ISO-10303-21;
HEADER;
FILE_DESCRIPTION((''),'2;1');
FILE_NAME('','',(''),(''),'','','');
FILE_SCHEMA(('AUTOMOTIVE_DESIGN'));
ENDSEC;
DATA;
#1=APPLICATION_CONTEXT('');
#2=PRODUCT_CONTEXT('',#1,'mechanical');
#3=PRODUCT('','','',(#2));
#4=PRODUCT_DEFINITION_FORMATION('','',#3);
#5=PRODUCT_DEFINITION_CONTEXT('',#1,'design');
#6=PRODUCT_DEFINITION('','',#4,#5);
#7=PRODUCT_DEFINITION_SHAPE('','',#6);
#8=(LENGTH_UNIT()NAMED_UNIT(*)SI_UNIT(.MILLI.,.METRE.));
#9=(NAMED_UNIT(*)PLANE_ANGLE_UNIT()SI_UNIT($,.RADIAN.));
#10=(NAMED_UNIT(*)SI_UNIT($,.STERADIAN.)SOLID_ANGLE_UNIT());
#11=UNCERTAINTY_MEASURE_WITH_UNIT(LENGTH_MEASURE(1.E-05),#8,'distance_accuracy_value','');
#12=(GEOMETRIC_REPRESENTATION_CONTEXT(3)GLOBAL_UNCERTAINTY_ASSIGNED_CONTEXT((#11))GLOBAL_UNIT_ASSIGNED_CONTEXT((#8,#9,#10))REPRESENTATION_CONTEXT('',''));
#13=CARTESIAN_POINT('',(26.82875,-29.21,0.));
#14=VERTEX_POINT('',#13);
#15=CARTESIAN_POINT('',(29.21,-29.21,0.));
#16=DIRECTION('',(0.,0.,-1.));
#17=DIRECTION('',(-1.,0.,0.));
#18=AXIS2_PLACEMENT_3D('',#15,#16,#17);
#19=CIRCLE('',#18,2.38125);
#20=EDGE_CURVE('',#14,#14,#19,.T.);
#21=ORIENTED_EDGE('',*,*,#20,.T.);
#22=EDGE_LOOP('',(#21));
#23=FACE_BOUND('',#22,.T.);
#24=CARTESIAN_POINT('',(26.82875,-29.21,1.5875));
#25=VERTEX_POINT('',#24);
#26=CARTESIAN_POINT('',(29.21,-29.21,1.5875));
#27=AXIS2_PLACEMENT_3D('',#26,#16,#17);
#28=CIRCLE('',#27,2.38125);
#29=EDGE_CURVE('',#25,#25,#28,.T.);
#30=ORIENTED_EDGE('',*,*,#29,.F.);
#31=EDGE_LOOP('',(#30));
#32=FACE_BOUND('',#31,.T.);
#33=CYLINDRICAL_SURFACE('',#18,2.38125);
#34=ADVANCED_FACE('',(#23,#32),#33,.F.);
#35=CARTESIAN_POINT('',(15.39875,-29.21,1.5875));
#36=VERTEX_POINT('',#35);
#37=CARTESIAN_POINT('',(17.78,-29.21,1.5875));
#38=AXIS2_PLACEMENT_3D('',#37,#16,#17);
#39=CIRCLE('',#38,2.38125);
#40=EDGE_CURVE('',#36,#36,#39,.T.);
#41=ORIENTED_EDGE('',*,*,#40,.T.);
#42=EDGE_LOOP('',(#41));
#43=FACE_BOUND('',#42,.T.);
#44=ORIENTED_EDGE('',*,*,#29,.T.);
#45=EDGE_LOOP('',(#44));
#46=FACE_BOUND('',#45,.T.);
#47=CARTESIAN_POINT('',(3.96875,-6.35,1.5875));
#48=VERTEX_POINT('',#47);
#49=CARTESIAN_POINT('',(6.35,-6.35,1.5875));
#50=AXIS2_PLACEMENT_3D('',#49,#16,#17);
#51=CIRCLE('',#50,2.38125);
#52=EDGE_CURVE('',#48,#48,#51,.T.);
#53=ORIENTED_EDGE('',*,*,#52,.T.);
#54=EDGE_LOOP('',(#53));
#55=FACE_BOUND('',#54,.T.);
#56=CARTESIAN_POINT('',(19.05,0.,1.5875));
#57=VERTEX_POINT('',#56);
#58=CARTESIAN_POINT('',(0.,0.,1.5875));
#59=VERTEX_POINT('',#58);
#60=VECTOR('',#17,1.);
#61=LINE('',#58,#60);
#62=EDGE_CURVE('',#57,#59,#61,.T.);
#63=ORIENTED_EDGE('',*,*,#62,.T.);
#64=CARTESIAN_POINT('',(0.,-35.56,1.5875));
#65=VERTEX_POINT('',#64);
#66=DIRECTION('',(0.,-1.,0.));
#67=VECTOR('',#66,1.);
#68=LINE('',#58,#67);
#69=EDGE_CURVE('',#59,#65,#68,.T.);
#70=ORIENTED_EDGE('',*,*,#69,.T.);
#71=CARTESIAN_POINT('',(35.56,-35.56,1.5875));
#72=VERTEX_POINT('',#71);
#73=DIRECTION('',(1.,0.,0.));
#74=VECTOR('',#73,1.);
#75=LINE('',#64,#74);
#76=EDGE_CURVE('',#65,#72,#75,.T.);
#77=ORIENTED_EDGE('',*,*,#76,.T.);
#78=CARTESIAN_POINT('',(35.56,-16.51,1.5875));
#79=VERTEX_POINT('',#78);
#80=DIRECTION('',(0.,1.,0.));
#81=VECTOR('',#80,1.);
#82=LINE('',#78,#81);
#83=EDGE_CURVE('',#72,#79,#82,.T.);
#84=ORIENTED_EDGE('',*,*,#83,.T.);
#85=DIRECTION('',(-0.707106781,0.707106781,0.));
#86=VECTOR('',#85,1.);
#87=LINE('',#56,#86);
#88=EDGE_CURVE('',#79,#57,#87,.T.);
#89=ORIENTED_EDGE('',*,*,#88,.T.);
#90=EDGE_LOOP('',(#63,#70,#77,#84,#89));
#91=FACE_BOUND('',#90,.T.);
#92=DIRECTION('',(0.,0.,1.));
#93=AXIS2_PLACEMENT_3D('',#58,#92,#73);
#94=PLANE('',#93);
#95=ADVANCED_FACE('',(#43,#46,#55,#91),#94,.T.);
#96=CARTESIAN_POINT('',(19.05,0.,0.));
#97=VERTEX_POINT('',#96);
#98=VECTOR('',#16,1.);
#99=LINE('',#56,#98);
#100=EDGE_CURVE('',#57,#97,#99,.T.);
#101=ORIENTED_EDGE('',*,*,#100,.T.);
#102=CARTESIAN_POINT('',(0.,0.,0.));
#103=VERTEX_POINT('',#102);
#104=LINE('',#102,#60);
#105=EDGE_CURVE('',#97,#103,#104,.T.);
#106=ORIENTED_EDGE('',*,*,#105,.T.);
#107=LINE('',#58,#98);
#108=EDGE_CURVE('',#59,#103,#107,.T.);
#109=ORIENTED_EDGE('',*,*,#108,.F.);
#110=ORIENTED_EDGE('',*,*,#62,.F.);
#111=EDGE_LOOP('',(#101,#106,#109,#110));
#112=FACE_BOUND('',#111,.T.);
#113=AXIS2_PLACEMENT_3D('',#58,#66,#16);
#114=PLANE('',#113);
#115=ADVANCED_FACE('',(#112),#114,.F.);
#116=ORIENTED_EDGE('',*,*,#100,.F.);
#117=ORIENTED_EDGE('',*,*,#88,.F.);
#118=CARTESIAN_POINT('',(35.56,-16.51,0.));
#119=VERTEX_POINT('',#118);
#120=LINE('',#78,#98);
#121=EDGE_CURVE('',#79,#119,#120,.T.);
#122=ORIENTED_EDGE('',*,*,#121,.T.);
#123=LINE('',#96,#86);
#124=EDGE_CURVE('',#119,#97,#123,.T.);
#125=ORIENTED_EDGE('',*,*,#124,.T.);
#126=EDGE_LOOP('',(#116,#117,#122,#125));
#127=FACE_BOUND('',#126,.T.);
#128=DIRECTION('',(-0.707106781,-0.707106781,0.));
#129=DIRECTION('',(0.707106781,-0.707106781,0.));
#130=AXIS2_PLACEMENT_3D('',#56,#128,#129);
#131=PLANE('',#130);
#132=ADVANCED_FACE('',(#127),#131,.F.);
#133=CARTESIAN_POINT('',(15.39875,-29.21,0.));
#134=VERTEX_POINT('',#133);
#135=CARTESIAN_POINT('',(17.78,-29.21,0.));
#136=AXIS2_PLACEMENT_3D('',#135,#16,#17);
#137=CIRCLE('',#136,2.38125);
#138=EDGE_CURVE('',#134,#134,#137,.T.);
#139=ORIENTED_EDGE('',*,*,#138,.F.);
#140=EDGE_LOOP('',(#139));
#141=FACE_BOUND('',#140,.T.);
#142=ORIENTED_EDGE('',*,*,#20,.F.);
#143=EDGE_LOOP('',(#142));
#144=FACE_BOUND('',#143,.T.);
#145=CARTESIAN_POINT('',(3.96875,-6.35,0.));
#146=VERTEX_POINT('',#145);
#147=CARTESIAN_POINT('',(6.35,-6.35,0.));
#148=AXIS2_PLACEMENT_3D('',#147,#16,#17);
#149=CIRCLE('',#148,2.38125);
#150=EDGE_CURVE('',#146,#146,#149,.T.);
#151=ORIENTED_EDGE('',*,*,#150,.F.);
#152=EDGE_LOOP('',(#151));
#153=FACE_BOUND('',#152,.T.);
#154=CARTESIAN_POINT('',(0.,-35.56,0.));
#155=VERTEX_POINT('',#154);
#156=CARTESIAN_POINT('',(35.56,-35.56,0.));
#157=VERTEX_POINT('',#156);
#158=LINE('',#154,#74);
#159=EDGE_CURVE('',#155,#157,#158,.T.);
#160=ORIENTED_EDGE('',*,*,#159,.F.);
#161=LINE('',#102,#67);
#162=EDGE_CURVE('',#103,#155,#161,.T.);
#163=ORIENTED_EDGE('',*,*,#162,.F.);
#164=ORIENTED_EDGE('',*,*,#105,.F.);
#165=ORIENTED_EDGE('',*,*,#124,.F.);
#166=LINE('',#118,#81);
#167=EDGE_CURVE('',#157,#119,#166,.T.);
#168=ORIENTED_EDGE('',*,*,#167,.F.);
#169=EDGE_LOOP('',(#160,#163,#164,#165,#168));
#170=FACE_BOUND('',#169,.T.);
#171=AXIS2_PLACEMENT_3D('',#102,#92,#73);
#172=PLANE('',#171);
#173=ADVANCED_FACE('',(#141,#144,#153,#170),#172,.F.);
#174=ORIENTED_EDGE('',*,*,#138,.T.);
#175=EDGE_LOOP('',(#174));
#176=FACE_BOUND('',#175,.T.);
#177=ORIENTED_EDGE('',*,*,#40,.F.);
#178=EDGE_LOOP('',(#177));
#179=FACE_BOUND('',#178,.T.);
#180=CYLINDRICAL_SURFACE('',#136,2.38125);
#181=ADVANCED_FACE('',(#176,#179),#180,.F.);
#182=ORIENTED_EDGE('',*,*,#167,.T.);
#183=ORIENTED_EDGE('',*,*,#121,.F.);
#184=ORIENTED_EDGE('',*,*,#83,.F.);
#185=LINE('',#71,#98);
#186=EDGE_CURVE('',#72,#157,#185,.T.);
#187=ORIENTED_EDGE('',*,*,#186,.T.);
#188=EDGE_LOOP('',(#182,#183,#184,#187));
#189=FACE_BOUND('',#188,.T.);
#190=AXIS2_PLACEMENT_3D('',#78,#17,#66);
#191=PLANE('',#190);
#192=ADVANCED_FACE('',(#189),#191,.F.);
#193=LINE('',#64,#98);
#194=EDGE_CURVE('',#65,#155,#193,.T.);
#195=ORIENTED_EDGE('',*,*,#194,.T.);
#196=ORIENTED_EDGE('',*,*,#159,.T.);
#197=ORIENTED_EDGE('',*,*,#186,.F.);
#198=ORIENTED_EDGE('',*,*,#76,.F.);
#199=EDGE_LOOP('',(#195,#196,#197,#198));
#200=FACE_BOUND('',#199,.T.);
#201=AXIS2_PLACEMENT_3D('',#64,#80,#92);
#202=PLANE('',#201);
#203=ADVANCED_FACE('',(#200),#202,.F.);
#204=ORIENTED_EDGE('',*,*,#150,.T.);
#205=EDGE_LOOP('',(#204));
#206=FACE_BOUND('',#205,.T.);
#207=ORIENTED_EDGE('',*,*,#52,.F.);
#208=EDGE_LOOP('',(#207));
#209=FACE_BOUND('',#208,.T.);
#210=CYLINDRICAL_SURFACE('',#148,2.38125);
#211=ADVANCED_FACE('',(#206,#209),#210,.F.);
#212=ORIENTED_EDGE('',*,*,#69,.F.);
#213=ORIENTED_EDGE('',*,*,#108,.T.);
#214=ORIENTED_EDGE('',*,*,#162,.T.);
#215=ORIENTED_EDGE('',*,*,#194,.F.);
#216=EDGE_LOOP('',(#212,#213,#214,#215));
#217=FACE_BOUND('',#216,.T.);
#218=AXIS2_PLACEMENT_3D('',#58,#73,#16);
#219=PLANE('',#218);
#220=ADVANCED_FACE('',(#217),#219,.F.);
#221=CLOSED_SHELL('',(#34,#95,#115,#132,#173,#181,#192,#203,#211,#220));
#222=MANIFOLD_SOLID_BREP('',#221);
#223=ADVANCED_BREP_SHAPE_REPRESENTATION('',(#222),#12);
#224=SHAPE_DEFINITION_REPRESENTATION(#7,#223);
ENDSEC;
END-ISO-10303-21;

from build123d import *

# Parameters (mm, degrees)
BOSS_EXTRUDE1_DEPTH            = 1.5875
F_3_16_0_1875_DIAMETER_HOLE1_D = 4.7625


with BuildPart() as part:
    # Sketch1 → Boss-Extrude1 (new body)
    with BuildSketch(Plane.XY):
        Polygon((19.05, 0), (35.56, -16.51), (35.56, -35.56), (0, -35.56), (0, 0), align=None)
    extrude(amount=BOSS_EXTRUDE1_DEPTH)

    # 3/16 (0.1875) Diameter Hole1 (through all)
    with Locations(Plane(origin=(0, 0, 0), x_dir=(-1, 0, 0), z_dir=(0, 0, -1))):
        with Locations((-6.35, -6.35), (-17.78, -29.21), (-29.21, -29.21)):
            Hole(F_3_16_0_1875_DIAMETER_HOLE1_D / 2)


solid = part.part
